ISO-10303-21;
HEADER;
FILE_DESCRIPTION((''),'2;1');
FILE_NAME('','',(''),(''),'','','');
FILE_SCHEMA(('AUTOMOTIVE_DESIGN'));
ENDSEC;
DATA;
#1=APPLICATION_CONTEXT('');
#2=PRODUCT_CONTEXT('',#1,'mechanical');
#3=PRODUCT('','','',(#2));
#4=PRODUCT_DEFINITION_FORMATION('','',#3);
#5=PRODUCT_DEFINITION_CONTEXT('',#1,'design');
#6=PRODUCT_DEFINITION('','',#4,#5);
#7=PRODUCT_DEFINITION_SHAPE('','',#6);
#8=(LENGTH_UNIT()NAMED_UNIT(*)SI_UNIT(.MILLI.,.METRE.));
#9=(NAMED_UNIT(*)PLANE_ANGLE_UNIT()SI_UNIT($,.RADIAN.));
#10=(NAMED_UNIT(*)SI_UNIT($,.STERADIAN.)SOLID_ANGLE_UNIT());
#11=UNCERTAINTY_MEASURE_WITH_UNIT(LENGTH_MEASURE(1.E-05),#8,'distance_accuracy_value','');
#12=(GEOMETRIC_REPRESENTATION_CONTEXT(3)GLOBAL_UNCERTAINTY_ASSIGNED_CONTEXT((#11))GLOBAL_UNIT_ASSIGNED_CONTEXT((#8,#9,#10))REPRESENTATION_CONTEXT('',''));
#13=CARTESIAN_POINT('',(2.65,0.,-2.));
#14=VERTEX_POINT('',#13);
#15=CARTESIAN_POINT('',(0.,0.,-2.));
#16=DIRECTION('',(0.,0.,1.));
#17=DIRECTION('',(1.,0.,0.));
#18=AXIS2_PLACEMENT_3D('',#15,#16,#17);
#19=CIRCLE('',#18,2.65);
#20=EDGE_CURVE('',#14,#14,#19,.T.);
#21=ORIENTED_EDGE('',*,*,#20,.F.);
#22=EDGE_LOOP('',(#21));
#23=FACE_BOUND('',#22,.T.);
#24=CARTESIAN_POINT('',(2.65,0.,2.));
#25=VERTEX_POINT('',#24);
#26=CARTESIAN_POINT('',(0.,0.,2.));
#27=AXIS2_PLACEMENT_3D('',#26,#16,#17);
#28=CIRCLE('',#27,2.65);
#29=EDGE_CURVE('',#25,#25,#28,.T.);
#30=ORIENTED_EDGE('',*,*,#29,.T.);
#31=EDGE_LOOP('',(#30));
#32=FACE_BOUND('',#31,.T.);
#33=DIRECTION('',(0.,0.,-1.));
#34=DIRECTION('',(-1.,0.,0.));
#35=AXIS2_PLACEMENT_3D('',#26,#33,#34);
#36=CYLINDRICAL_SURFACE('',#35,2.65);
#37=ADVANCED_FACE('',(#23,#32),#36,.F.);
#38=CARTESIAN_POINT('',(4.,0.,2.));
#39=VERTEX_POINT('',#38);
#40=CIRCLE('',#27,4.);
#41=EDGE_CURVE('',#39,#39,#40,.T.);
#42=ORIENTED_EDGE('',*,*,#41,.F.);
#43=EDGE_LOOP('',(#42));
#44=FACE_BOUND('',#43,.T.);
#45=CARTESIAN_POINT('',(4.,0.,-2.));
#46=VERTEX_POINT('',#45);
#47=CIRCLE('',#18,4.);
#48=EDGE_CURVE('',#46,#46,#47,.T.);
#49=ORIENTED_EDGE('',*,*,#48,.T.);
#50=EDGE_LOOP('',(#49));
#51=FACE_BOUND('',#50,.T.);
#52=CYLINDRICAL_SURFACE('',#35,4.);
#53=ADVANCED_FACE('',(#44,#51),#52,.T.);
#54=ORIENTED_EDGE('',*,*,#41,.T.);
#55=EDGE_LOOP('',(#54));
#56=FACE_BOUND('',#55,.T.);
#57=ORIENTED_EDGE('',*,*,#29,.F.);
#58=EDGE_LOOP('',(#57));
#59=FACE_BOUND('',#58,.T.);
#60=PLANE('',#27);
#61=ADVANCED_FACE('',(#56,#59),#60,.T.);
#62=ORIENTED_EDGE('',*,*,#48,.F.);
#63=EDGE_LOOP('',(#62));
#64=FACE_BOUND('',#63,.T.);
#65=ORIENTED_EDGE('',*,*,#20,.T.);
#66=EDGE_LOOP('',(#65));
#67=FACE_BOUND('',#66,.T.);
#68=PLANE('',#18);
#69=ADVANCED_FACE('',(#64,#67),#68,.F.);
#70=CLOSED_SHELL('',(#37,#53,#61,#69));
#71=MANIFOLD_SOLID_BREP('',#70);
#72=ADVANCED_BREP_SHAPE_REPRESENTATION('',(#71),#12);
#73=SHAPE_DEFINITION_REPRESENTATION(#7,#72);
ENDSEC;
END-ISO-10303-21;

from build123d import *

# Parameters (mm, degrees)
SKETCH1_R           = 4
SKETCH1_R_2         = 2.65
EXTRUDE1_DEPTH      = 2
EXTRUDE1_DEPTH_BACK = 2


with BuildPart() as part:
    # Sketch1 → Extrude1 (new body, two sides)
    with BuildSketch(Plane.XY) as extrude1_sk:
        Circle(SKETCH1_R)
        Circle(SKETCH1_R_2, mode=Mode.SUBTRACT)
    extrude(amount=EXTRUDE1_DEPTH)
    extrude(extrude1_sk.sketch, amount=-EXTRUDE1_DEPTH_BACK)


solid = part.part
